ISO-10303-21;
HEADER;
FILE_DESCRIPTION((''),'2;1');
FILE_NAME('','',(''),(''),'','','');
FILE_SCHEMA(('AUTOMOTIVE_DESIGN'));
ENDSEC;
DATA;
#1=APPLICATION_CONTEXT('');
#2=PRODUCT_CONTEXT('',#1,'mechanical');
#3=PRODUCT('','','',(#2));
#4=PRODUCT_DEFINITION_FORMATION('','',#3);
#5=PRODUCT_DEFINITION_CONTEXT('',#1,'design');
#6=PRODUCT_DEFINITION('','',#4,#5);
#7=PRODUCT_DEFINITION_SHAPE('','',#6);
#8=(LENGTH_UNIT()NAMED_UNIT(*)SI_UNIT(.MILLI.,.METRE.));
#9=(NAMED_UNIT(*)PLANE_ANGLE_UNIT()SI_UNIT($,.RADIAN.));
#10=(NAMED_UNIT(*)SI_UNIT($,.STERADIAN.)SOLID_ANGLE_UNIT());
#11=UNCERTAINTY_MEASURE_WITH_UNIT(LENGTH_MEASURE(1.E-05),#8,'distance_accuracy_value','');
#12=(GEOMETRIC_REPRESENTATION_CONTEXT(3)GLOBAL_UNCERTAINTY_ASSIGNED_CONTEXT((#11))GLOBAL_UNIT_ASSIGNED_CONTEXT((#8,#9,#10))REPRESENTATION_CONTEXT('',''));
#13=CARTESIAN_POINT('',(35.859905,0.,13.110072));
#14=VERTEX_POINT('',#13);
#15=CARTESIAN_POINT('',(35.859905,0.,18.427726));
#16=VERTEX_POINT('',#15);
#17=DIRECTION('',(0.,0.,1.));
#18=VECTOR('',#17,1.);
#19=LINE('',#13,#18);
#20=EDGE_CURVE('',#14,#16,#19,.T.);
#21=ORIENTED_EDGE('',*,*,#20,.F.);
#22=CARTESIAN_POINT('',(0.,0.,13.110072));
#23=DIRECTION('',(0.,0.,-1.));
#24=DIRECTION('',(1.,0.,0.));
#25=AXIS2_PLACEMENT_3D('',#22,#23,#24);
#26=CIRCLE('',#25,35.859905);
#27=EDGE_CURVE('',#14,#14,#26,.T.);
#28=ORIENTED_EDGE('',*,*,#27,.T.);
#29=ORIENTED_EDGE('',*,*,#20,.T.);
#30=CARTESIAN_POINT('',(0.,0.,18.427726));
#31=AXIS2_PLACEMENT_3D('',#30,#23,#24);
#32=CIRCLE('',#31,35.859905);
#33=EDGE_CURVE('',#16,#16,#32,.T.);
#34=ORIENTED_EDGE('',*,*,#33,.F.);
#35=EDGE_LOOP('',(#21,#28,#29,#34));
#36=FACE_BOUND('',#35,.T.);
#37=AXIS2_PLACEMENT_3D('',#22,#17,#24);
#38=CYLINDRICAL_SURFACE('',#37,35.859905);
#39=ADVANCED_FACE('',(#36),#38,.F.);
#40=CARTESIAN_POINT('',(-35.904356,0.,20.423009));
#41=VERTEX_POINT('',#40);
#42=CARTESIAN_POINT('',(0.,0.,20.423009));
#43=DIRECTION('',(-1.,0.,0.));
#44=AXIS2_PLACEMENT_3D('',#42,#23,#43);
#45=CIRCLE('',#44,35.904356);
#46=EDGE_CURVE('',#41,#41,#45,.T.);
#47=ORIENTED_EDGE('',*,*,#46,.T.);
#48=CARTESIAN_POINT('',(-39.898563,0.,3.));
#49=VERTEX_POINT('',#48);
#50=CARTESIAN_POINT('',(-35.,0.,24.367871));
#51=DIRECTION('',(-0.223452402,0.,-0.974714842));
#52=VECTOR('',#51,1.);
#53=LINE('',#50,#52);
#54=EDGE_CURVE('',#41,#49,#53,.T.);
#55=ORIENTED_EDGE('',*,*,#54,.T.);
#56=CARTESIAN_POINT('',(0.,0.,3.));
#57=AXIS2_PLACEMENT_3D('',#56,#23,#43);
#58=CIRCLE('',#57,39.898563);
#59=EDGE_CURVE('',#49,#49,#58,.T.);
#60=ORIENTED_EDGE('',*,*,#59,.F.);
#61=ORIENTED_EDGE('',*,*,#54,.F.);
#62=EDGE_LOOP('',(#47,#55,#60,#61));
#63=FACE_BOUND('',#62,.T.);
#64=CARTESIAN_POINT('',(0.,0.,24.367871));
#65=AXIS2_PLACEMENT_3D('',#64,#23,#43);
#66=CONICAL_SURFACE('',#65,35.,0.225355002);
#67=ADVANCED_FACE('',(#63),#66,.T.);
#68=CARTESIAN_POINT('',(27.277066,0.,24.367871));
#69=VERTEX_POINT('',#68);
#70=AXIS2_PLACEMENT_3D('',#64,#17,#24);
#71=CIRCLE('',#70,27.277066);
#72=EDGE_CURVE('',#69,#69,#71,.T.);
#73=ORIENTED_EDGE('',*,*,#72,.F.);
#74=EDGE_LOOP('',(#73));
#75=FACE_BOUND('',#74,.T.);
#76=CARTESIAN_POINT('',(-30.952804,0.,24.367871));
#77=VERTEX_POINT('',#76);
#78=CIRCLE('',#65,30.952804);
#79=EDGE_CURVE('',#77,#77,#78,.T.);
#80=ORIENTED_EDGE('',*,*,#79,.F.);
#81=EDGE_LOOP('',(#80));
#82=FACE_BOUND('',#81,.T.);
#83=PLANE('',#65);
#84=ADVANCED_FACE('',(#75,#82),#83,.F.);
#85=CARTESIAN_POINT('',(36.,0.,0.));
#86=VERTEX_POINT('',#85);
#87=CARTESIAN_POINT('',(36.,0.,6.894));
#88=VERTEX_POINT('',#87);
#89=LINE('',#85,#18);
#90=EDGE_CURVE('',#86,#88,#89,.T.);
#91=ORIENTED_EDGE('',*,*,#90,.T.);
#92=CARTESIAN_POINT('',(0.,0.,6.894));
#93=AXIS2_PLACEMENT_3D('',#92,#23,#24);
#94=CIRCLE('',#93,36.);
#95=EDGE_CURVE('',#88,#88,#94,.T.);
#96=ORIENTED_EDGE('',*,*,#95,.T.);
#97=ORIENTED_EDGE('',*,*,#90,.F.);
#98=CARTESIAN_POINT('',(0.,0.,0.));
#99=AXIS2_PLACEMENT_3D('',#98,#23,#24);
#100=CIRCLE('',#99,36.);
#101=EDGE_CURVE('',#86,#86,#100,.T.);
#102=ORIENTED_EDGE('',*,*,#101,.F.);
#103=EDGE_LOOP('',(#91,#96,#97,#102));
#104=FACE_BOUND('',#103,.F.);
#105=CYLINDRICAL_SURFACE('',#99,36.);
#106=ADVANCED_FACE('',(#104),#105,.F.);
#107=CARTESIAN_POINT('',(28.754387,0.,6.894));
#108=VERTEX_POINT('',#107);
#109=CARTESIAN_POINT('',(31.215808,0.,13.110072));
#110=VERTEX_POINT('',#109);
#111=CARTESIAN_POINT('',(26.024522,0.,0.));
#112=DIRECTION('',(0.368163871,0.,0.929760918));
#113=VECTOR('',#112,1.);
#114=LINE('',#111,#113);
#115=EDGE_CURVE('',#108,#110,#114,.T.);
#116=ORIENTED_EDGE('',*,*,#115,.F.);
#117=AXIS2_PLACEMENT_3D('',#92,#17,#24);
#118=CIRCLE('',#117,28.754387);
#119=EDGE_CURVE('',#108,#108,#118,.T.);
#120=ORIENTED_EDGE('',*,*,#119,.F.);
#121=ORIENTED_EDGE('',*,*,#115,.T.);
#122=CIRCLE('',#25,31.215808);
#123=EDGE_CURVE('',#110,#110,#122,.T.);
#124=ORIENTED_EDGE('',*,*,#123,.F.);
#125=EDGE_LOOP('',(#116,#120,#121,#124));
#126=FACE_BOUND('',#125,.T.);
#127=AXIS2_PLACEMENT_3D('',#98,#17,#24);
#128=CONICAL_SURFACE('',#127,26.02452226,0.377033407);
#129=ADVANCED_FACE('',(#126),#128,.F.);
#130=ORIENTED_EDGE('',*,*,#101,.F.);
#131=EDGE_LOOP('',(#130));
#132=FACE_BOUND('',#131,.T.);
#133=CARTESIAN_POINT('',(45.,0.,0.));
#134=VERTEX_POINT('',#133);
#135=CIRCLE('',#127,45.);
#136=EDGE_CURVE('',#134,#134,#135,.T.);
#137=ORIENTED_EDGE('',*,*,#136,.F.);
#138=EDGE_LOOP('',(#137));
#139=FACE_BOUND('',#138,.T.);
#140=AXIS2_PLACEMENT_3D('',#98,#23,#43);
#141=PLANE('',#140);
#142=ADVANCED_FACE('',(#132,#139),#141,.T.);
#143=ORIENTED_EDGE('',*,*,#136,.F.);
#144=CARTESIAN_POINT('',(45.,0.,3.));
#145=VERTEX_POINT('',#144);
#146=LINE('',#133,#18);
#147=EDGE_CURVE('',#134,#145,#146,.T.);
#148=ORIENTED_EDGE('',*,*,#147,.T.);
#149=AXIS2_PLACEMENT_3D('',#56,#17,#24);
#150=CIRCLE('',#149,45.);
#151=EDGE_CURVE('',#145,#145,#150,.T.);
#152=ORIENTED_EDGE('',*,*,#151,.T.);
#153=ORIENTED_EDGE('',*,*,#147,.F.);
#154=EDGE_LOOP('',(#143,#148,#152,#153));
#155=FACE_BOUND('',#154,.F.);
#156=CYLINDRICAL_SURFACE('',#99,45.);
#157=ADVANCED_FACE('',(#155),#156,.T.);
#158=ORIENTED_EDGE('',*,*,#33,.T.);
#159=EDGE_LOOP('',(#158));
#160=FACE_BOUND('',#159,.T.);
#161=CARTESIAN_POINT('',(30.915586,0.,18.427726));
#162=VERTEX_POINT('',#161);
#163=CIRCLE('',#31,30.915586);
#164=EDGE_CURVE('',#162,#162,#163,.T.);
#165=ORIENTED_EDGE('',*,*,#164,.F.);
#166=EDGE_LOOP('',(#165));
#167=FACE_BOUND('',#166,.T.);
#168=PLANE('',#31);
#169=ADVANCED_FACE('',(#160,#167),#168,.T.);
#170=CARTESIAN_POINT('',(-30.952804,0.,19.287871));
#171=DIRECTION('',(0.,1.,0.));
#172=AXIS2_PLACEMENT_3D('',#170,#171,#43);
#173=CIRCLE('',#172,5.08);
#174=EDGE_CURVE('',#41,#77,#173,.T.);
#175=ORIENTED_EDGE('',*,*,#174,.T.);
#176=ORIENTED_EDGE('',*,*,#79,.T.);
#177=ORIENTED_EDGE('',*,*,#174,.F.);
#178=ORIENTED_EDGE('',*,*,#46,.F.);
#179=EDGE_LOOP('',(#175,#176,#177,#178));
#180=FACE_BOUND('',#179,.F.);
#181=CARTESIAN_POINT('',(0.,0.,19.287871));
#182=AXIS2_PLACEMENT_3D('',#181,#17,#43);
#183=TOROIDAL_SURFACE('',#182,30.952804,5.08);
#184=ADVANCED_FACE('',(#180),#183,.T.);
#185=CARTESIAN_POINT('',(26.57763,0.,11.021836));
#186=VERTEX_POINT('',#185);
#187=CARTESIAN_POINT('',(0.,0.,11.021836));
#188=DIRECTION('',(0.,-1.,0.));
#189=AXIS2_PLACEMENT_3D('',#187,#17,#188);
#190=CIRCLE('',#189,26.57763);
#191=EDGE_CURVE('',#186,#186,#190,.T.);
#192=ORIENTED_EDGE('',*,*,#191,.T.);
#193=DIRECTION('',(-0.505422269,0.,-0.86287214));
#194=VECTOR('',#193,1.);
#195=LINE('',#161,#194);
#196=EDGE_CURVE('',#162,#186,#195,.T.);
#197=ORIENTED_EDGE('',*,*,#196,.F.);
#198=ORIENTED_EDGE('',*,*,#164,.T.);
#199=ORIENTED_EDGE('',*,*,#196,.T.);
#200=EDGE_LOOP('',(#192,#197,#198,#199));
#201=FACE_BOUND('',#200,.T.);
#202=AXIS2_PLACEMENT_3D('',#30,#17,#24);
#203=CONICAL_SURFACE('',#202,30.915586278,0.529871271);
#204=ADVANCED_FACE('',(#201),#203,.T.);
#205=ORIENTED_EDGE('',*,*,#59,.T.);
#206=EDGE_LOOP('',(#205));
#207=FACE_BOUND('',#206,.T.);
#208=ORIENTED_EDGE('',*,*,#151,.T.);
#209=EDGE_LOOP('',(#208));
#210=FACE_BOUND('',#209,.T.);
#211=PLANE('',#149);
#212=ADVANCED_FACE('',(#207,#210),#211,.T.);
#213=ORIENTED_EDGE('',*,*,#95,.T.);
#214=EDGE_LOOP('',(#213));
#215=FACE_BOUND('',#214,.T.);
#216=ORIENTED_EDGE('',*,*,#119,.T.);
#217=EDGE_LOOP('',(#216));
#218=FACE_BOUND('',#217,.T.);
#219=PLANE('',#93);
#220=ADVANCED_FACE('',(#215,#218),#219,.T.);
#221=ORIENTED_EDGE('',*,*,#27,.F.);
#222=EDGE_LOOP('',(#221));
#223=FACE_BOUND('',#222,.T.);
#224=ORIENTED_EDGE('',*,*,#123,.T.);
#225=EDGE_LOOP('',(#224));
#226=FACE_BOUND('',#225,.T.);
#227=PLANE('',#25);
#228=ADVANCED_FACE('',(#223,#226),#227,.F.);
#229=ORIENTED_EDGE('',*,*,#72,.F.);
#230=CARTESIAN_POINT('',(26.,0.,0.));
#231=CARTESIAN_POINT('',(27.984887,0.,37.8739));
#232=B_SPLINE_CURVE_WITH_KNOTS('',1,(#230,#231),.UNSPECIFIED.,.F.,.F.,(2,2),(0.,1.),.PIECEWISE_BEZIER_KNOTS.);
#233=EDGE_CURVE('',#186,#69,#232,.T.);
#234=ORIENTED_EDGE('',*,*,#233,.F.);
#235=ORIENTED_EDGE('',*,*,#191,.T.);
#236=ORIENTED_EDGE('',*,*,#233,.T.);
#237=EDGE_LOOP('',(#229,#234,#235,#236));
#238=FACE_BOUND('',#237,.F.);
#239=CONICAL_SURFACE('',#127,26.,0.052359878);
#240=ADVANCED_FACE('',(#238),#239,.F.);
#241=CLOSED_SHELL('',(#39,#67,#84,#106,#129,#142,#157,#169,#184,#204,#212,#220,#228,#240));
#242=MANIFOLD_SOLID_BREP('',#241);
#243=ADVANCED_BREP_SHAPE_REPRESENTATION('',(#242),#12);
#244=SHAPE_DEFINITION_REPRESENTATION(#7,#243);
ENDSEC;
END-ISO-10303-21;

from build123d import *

# Parameters (mm, degrees)
F0_R      = 45
F1_DEPTH  = 3
F4_R      = 5.08
F5_R      = 26
F6_DEPTH  = 37.8739
F6_TAPER  = -3
F9_R      = 36
F10_DEPTH = 6.894


with BuildPart() as f1:
    # F0 (on Top) → F1 (new body)
    with BuildSketch(Plane.XY):
        Circle(F0_R)
    extrude(amount=F1_DEPTH)

    # F2 (on Front) → F3 (revolve)
    with BuildSketch(Plane.XZ):
        Polygon((-40.5863100491, 0), (0, 0), (0, 24.3678710608), (-35, 24.3678710608), align=None)
    revolve(axis=Axis((0, 0, -19.3198865833), (0, 0, -1)))

    # F4
    f4_edges = [f1.edges().sort_by_distance(p)[0] for p in [
        (35, 0, 24.367871),
    ]]
    fillet(f4_edges, radius=F4_R)

    # F5 (on Top) → F6 (cut, symmetric)
    with BuildSketch(Plane.XY):
        Circle(F5_R)
    extrude(amount=F6_DEPTH, both=True, taper=F6_TAPER, mode=Mode.SUBTRACT)

    # F7 (on Front) → F8 (revolve, cut)
    with BuildSketch(Plane.XZ):
        Polygon((35.8599051833, 18.4277258813), (30.9155862778, 18.4277258813), (20.1216544956, 0), (26.0245222598, 0), (31.2158084296, 13.110072352), (35.8599051833, 13.110072352), align=None)
    revolve(axis=Axis((0, 0, 14.1704455018), (0, 0, -1)), mode=Mode.SUBTRACT)

    # F9 (on face) → F10 (cut)
    with BuildSketch(Plane(origin=(0, 0, 0), x_dir=(1, 0, 0), z_dir=(0, 0, -1))):
        Circle(F9_R)
    extrude(amount=-F10_DEPTH, mode=Mode.SUBTRACT)


solid = f1.part
